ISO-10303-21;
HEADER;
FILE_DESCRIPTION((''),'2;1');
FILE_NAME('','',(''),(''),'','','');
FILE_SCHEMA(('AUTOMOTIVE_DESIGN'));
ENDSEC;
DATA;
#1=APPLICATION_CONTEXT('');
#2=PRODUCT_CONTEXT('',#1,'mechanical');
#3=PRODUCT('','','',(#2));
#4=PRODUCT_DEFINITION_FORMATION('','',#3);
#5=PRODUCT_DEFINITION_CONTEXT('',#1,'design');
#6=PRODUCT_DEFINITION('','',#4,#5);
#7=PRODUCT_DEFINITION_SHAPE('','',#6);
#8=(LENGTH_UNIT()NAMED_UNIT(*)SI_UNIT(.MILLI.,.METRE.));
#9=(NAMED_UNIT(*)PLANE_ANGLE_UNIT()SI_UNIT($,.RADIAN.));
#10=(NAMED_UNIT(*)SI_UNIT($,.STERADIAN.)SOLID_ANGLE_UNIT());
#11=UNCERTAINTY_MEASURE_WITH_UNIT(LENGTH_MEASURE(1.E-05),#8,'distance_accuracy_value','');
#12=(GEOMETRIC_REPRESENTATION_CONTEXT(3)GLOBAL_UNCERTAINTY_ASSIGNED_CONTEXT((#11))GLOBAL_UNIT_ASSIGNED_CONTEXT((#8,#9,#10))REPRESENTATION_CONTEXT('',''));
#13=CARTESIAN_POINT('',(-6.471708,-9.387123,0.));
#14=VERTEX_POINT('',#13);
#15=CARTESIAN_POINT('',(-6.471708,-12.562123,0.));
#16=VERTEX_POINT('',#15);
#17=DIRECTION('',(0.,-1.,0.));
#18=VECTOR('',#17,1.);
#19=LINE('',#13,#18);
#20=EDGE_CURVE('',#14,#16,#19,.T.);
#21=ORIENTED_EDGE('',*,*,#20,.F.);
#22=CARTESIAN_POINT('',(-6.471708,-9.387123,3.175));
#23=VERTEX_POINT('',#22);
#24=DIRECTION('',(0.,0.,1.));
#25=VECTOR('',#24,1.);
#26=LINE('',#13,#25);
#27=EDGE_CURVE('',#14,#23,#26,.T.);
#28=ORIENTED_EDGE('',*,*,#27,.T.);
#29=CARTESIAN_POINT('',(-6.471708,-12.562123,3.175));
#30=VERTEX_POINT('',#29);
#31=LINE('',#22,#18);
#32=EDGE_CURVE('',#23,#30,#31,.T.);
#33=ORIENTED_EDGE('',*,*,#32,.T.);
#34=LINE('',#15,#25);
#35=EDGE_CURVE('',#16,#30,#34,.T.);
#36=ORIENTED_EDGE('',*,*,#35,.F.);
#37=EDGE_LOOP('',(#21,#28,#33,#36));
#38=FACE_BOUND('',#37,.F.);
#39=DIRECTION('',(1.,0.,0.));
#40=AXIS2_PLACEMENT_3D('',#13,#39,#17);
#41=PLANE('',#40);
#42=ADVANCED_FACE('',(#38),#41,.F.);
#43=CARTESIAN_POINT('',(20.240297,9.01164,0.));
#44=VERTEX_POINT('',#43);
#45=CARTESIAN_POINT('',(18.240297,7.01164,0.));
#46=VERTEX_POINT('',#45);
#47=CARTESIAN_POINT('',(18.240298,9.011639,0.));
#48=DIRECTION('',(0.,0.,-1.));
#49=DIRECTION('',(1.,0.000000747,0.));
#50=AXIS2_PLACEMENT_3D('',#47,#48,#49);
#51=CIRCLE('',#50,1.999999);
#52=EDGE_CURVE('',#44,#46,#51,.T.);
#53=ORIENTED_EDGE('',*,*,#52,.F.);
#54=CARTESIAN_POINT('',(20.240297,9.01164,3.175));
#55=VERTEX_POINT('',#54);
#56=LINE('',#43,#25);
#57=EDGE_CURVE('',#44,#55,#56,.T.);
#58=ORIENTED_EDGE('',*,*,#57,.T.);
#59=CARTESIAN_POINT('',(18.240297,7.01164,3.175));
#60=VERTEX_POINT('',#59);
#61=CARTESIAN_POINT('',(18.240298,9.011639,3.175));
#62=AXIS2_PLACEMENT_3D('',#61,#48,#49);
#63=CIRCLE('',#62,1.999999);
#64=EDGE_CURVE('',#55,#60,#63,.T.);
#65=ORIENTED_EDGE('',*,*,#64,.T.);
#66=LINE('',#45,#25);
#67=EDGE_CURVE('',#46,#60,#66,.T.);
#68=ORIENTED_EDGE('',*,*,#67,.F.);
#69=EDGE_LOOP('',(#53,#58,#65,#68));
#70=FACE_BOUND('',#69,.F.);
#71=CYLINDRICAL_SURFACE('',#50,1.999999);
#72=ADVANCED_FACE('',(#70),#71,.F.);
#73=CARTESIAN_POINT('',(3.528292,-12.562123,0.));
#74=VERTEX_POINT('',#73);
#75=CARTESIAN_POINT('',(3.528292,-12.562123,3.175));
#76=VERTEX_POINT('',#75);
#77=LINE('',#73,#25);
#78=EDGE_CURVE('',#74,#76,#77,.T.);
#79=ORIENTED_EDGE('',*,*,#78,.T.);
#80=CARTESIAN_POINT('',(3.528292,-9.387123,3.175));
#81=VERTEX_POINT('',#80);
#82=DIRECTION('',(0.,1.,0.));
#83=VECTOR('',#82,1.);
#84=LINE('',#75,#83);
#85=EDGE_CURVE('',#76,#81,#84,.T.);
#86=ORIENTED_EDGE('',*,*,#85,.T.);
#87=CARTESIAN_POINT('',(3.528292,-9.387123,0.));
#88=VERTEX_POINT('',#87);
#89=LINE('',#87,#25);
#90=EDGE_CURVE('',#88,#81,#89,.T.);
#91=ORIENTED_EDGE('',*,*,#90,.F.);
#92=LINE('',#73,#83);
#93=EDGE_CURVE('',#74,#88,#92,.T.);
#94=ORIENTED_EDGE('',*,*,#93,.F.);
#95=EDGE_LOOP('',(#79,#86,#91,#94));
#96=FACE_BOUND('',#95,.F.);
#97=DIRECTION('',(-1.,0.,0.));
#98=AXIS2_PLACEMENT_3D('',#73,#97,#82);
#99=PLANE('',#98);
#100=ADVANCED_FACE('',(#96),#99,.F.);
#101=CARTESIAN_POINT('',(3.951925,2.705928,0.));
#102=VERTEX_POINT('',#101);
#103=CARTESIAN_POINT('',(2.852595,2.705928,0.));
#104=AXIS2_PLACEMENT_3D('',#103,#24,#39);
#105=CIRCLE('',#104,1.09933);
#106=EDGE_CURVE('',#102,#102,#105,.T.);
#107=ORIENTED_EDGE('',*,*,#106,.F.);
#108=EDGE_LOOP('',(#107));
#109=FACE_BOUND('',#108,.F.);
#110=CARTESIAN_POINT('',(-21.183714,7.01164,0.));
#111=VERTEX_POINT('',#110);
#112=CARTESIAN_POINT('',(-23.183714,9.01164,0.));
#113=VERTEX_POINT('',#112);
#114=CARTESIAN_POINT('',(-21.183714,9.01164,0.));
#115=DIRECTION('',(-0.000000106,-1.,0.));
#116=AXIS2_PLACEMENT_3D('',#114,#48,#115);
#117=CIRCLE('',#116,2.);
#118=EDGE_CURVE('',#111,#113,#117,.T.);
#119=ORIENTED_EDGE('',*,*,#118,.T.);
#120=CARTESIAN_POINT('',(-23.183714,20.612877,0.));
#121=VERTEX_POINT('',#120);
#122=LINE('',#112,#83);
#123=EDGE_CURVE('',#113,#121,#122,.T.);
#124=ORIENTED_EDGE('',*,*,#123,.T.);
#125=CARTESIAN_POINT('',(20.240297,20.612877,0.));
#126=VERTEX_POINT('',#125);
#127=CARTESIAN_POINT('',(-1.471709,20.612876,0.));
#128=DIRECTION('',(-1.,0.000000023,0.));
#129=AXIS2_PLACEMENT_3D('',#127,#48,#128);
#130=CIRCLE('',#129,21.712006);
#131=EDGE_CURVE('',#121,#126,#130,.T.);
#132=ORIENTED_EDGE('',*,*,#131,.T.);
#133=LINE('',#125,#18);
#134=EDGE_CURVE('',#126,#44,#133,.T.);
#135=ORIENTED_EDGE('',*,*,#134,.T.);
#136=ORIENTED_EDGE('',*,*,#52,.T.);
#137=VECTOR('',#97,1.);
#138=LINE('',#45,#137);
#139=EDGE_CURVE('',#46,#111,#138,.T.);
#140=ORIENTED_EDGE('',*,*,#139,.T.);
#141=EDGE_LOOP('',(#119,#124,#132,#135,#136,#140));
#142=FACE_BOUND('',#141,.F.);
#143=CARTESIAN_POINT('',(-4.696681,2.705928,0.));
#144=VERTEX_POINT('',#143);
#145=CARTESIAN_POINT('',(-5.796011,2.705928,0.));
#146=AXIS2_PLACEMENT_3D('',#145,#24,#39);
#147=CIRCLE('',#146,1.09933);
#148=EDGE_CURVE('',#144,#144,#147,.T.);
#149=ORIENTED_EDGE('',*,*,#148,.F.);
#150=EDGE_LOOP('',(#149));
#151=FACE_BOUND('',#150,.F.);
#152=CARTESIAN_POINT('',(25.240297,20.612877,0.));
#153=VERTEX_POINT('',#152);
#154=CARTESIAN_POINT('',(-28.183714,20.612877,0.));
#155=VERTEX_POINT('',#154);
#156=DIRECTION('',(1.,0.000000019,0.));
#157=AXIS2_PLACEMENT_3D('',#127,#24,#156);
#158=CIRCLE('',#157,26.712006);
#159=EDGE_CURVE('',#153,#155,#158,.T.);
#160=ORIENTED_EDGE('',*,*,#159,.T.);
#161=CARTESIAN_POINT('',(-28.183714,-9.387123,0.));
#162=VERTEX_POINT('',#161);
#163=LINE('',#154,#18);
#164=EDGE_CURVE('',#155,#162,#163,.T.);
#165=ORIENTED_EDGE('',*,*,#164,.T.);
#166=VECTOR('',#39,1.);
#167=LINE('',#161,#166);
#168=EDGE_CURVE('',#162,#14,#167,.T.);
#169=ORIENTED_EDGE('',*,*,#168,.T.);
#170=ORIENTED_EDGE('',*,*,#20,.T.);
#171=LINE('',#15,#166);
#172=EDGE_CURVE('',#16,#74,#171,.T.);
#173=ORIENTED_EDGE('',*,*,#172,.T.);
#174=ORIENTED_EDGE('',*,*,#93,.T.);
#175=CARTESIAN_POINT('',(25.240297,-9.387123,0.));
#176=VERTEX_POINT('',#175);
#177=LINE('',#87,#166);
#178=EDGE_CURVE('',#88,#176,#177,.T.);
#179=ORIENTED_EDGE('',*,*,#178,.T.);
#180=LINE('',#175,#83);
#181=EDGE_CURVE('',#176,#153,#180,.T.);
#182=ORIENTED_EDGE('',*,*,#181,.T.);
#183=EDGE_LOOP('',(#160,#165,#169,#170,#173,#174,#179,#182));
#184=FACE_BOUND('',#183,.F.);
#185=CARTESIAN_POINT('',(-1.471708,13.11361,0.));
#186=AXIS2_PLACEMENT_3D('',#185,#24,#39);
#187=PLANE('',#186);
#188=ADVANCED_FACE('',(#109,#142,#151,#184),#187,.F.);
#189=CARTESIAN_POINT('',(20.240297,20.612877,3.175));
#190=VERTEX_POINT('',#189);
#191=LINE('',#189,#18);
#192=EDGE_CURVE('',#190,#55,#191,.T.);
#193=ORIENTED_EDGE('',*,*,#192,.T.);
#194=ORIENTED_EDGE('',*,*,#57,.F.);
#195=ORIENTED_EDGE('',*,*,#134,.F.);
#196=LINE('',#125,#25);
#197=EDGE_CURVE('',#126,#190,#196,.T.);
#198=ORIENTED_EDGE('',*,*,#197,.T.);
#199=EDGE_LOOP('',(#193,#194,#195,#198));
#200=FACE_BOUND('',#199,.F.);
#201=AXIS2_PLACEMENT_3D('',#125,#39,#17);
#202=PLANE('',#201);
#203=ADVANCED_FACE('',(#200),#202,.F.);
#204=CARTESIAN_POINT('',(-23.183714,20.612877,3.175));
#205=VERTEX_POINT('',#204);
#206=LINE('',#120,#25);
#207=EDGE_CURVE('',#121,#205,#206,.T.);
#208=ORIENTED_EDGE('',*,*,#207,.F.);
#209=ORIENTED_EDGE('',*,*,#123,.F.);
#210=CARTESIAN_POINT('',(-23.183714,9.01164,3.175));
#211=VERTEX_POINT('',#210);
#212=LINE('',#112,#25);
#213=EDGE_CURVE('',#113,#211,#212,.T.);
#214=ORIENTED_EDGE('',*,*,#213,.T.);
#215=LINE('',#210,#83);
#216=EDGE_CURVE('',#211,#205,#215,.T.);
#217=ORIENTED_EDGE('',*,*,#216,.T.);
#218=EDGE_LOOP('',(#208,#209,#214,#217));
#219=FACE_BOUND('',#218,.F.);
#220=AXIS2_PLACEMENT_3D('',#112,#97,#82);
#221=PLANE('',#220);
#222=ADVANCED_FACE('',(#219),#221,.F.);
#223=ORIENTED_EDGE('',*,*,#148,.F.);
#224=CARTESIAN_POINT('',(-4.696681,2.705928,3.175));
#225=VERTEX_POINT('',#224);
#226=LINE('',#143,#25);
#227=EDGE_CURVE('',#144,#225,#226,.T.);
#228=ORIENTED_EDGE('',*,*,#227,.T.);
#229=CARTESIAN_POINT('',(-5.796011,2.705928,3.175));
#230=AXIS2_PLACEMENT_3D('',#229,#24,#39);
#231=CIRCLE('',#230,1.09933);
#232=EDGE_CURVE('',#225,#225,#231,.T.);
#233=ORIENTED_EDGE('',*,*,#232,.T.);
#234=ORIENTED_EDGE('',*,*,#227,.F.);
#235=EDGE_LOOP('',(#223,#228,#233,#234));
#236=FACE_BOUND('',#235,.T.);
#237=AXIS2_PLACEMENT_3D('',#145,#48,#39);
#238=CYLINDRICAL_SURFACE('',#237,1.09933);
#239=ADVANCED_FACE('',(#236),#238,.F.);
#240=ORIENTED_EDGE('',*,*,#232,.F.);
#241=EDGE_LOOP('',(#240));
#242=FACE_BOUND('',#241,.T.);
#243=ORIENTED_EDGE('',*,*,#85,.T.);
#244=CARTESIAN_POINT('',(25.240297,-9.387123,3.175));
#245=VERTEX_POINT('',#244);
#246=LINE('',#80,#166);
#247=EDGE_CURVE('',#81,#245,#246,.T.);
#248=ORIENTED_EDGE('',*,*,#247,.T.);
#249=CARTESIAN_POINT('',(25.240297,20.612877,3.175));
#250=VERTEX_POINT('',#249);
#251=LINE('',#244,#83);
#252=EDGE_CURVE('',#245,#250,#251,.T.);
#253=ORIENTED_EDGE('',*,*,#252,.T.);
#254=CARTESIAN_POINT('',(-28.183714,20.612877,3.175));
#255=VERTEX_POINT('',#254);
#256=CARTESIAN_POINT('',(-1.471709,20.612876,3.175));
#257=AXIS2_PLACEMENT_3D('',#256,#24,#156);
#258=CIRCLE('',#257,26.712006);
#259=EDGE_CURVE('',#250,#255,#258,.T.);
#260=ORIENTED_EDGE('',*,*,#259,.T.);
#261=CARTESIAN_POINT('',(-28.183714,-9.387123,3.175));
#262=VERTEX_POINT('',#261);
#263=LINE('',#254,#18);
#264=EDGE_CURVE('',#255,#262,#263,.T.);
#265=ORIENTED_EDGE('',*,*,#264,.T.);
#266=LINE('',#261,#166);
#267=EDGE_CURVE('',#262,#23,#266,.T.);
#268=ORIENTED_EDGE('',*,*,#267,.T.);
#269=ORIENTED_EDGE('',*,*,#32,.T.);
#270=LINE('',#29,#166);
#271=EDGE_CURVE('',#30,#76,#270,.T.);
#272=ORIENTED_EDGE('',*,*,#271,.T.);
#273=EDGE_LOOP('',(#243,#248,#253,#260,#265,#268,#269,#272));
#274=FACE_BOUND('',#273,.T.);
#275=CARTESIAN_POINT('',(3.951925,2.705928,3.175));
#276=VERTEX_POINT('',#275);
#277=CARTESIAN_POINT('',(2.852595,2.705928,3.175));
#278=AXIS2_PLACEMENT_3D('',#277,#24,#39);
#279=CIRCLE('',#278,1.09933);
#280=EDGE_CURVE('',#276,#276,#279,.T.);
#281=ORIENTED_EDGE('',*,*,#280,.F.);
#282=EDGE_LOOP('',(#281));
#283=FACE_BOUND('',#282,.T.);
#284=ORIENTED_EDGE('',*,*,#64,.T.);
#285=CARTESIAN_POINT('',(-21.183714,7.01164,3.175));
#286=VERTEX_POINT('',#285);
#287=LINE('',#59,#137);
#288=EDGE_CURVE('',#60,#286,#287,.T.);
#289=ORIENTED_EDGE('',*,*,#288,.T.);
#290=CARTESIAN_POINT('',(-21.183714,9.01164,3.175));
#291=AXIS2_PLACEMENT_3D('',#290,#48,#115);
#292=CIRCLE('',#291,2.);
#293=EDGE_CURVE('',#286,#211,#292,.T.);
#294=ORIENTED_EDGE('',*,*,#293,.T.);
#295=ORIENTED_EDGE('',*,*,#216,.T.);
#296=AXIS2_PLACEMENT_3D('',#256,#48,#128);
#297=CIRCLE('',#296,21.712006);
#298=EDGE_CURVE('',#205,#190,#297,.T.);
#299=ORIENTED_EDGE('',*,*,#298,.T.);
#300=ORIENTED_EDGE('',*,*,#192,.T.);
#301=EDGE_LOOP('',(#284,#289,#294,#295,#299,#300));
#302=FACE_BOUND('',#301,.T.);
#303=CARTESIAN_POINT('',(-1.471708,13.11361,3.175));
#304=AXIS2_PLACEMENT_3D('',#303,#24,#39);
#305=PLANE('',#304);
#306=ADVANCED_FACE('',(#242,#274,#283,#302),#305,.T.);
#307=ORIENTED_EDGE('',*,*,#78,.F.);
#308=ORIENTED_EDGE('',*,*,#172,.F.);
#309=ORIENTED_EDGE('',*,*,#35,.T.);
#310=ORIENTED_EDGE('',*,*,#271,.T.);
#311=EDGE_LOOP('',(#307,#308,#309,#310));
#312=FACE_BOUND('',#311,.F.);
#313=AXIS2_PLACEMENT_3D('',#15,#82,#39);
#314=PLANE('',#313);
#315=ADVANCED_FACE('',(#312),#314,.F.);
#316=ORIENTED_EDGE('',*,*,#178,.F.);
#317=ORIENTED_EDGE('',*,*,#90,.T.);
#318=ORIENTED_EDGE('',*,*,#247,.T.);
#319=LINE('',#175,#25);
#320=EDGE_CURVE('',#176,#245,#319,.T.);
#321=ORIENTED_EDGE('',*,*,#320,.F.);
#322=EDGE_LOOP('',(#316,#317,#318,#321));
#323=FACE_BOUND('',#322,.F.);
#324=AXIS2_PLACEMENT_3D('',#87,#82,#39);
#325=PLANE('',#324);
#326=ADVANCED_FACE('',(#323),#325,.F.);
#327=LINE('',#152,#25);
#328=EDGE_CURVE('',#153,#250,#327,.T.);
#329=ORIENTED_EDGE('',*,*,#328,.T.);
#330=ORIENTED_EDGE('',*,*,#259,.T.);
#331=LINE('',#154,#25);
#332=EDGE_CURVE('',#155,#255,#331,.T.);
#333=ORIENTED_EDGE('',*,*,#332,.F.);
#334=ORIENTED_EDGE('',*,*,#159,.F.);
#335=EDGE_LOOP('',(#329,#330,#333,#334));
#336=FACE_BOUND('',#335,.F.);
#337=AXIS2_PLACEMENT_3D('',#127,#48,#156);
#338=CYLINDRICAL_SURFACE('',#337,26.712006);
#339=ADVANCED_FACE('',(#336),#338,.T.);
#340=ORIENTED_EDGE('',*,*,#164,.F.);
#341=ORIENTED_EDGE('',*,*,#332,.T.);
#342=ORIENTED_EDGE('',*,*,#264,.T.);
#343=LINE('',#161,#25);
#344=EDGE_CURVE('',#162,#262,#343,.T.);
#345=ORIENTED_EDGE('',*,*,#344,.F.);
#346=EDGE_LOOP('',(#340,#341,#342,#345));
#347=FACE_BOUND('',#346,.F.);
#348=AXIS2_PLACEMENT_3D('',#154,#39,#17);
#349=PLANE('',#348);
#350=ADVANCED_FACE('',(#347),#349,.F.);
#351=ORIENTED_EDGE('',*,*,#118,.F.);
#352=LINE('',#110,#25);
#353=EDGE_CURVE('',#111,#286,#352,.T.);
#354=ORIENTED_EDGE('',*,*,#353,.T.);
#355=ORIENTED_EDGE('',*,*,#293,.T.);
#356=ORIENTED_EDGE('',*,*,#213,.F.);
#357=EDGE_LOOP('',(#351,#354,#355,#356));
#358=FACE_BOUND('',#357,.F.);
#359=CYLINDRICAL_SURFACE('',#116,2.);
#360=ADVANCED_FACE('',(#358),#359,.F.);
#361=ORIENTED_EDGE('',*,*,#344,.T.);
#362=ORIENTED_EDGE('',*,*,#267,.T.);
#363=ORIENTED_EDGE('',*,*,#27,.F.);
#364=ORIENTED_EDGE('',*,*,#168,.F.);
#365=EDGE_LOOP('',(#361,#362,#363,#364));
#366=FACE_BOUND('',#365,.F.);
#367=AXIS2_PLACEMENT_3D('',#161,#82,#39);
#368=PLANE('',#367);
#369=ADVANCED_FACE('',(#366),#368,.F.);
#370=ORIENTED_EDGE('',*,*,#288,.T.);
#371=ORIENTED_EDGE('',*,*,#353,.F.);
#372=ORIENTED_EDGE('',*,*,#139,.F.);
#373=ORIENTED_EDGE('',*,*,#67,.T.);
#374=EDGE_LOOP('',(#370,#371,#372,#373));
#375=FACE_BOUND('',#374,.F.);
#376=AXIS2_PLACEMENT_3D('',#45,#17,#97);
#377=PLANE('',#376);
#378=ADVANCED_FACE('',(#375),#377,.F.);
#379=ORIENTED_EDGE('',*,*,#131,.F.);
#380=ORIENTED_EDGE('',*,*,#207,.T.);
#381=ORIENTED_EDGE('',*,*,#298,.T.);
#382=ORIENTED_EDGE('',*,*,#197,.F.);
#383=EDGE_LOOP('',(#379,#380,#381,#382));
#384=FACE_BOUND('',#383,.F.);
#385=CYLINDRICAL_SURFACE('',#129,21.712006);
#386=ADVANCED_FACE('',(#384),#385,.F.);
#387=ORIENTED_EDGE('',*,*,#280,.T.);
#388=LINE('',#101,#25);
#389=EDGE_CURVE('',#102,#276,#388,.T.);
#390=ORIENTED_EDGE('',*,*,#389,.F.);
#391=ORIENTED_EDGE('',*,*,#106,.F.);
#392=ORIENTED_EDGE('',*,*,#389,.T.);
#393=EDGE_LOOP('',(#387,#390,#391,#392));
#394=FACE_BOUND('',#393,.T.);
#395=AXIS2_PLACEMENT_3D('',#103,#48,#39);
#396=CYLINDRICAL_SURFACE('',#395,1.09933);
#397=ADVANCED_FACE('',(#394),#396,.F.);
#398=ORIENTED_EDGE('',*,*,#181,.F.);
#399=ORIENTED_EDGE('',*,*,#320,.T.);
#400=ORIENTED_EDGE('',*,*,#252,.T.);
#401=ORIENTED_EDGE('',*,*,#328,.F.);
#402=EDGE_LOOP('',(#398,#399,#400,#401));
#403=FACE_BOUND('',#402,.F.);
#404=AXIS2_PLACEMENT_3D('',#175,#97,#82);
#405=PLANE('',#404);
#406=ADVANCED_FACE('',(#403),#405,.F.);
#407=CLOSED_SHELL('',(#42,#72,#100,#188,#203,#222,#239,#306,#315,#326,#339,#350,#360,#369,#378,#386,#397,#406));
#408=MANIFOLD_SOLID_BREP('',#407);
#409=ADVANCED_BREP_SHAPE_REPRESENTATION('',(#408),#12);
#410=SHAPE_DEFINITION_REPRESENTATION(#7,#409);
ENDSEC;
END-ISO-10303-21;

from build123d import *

# Parameters (mm, degrees)
F0_R     = 1.09933
F1_DEPTH = 3.175


with BuildPart() as f1:
    # F0 (on Top) → F1 (new body)
    with BuildSketch(Plane.XY):
        with BuildLine():
            Line((-28.183714, 20.612877), (-28.183714, -9.387123))
            Line((-28.183714, -9.387123), (-6.471708, -9.387123))
            Line((-6.471708, -9.387123), (-6.471708, -12.562123))
            Line((-6.471708, -12.562123), (3.528292, -12.562123))
            Line((3.528292, -12.562123), (3.528292, -9.387123))
            Line((3.528292, -9.387123), (25.240297, -9.387123))
            Line((25.240297, -9.387123), (25.240297, 20.612877))
            ThreePointArc((25.240297, 20.612877), (-1.471708, 47.324882), (-28.183714, 20.612877))
        make_face()
        with Locations((-5.796011, 2.705928)):
            Circle(F0_R, mode=Mode.SUBTRACT)
        with Locations((2.852595, 2.705928)):
            Circle(F0_R, mode=Mode.SUBTRACT)
        with BuildLine():
            ThreePointArc((-23.183714, 20.612877), (-1.471708, 42.324882), (20.240297, 20.612877))
            Line((20.240297, 20.612877), (20.240297, 9.01164))
            ThreePointArc((20.240297, 9.01164), (19.654511, 7.597426), (18.240297, 7.01164))
            Line((18.240297, 7.01164), (-21.183714, 7.01164))
            ThreePointArc((-21.183714, 7.01164), (-22.597927, 7.597426), (-23.183714, 9.01164))
            Line((-23.183714, 9.01164), (-23.183714, 20.612877))
        make_face(mode=Mode.SUBTRACT)
    extrude(amount=F1_DEPTH)


solid = f1.part
